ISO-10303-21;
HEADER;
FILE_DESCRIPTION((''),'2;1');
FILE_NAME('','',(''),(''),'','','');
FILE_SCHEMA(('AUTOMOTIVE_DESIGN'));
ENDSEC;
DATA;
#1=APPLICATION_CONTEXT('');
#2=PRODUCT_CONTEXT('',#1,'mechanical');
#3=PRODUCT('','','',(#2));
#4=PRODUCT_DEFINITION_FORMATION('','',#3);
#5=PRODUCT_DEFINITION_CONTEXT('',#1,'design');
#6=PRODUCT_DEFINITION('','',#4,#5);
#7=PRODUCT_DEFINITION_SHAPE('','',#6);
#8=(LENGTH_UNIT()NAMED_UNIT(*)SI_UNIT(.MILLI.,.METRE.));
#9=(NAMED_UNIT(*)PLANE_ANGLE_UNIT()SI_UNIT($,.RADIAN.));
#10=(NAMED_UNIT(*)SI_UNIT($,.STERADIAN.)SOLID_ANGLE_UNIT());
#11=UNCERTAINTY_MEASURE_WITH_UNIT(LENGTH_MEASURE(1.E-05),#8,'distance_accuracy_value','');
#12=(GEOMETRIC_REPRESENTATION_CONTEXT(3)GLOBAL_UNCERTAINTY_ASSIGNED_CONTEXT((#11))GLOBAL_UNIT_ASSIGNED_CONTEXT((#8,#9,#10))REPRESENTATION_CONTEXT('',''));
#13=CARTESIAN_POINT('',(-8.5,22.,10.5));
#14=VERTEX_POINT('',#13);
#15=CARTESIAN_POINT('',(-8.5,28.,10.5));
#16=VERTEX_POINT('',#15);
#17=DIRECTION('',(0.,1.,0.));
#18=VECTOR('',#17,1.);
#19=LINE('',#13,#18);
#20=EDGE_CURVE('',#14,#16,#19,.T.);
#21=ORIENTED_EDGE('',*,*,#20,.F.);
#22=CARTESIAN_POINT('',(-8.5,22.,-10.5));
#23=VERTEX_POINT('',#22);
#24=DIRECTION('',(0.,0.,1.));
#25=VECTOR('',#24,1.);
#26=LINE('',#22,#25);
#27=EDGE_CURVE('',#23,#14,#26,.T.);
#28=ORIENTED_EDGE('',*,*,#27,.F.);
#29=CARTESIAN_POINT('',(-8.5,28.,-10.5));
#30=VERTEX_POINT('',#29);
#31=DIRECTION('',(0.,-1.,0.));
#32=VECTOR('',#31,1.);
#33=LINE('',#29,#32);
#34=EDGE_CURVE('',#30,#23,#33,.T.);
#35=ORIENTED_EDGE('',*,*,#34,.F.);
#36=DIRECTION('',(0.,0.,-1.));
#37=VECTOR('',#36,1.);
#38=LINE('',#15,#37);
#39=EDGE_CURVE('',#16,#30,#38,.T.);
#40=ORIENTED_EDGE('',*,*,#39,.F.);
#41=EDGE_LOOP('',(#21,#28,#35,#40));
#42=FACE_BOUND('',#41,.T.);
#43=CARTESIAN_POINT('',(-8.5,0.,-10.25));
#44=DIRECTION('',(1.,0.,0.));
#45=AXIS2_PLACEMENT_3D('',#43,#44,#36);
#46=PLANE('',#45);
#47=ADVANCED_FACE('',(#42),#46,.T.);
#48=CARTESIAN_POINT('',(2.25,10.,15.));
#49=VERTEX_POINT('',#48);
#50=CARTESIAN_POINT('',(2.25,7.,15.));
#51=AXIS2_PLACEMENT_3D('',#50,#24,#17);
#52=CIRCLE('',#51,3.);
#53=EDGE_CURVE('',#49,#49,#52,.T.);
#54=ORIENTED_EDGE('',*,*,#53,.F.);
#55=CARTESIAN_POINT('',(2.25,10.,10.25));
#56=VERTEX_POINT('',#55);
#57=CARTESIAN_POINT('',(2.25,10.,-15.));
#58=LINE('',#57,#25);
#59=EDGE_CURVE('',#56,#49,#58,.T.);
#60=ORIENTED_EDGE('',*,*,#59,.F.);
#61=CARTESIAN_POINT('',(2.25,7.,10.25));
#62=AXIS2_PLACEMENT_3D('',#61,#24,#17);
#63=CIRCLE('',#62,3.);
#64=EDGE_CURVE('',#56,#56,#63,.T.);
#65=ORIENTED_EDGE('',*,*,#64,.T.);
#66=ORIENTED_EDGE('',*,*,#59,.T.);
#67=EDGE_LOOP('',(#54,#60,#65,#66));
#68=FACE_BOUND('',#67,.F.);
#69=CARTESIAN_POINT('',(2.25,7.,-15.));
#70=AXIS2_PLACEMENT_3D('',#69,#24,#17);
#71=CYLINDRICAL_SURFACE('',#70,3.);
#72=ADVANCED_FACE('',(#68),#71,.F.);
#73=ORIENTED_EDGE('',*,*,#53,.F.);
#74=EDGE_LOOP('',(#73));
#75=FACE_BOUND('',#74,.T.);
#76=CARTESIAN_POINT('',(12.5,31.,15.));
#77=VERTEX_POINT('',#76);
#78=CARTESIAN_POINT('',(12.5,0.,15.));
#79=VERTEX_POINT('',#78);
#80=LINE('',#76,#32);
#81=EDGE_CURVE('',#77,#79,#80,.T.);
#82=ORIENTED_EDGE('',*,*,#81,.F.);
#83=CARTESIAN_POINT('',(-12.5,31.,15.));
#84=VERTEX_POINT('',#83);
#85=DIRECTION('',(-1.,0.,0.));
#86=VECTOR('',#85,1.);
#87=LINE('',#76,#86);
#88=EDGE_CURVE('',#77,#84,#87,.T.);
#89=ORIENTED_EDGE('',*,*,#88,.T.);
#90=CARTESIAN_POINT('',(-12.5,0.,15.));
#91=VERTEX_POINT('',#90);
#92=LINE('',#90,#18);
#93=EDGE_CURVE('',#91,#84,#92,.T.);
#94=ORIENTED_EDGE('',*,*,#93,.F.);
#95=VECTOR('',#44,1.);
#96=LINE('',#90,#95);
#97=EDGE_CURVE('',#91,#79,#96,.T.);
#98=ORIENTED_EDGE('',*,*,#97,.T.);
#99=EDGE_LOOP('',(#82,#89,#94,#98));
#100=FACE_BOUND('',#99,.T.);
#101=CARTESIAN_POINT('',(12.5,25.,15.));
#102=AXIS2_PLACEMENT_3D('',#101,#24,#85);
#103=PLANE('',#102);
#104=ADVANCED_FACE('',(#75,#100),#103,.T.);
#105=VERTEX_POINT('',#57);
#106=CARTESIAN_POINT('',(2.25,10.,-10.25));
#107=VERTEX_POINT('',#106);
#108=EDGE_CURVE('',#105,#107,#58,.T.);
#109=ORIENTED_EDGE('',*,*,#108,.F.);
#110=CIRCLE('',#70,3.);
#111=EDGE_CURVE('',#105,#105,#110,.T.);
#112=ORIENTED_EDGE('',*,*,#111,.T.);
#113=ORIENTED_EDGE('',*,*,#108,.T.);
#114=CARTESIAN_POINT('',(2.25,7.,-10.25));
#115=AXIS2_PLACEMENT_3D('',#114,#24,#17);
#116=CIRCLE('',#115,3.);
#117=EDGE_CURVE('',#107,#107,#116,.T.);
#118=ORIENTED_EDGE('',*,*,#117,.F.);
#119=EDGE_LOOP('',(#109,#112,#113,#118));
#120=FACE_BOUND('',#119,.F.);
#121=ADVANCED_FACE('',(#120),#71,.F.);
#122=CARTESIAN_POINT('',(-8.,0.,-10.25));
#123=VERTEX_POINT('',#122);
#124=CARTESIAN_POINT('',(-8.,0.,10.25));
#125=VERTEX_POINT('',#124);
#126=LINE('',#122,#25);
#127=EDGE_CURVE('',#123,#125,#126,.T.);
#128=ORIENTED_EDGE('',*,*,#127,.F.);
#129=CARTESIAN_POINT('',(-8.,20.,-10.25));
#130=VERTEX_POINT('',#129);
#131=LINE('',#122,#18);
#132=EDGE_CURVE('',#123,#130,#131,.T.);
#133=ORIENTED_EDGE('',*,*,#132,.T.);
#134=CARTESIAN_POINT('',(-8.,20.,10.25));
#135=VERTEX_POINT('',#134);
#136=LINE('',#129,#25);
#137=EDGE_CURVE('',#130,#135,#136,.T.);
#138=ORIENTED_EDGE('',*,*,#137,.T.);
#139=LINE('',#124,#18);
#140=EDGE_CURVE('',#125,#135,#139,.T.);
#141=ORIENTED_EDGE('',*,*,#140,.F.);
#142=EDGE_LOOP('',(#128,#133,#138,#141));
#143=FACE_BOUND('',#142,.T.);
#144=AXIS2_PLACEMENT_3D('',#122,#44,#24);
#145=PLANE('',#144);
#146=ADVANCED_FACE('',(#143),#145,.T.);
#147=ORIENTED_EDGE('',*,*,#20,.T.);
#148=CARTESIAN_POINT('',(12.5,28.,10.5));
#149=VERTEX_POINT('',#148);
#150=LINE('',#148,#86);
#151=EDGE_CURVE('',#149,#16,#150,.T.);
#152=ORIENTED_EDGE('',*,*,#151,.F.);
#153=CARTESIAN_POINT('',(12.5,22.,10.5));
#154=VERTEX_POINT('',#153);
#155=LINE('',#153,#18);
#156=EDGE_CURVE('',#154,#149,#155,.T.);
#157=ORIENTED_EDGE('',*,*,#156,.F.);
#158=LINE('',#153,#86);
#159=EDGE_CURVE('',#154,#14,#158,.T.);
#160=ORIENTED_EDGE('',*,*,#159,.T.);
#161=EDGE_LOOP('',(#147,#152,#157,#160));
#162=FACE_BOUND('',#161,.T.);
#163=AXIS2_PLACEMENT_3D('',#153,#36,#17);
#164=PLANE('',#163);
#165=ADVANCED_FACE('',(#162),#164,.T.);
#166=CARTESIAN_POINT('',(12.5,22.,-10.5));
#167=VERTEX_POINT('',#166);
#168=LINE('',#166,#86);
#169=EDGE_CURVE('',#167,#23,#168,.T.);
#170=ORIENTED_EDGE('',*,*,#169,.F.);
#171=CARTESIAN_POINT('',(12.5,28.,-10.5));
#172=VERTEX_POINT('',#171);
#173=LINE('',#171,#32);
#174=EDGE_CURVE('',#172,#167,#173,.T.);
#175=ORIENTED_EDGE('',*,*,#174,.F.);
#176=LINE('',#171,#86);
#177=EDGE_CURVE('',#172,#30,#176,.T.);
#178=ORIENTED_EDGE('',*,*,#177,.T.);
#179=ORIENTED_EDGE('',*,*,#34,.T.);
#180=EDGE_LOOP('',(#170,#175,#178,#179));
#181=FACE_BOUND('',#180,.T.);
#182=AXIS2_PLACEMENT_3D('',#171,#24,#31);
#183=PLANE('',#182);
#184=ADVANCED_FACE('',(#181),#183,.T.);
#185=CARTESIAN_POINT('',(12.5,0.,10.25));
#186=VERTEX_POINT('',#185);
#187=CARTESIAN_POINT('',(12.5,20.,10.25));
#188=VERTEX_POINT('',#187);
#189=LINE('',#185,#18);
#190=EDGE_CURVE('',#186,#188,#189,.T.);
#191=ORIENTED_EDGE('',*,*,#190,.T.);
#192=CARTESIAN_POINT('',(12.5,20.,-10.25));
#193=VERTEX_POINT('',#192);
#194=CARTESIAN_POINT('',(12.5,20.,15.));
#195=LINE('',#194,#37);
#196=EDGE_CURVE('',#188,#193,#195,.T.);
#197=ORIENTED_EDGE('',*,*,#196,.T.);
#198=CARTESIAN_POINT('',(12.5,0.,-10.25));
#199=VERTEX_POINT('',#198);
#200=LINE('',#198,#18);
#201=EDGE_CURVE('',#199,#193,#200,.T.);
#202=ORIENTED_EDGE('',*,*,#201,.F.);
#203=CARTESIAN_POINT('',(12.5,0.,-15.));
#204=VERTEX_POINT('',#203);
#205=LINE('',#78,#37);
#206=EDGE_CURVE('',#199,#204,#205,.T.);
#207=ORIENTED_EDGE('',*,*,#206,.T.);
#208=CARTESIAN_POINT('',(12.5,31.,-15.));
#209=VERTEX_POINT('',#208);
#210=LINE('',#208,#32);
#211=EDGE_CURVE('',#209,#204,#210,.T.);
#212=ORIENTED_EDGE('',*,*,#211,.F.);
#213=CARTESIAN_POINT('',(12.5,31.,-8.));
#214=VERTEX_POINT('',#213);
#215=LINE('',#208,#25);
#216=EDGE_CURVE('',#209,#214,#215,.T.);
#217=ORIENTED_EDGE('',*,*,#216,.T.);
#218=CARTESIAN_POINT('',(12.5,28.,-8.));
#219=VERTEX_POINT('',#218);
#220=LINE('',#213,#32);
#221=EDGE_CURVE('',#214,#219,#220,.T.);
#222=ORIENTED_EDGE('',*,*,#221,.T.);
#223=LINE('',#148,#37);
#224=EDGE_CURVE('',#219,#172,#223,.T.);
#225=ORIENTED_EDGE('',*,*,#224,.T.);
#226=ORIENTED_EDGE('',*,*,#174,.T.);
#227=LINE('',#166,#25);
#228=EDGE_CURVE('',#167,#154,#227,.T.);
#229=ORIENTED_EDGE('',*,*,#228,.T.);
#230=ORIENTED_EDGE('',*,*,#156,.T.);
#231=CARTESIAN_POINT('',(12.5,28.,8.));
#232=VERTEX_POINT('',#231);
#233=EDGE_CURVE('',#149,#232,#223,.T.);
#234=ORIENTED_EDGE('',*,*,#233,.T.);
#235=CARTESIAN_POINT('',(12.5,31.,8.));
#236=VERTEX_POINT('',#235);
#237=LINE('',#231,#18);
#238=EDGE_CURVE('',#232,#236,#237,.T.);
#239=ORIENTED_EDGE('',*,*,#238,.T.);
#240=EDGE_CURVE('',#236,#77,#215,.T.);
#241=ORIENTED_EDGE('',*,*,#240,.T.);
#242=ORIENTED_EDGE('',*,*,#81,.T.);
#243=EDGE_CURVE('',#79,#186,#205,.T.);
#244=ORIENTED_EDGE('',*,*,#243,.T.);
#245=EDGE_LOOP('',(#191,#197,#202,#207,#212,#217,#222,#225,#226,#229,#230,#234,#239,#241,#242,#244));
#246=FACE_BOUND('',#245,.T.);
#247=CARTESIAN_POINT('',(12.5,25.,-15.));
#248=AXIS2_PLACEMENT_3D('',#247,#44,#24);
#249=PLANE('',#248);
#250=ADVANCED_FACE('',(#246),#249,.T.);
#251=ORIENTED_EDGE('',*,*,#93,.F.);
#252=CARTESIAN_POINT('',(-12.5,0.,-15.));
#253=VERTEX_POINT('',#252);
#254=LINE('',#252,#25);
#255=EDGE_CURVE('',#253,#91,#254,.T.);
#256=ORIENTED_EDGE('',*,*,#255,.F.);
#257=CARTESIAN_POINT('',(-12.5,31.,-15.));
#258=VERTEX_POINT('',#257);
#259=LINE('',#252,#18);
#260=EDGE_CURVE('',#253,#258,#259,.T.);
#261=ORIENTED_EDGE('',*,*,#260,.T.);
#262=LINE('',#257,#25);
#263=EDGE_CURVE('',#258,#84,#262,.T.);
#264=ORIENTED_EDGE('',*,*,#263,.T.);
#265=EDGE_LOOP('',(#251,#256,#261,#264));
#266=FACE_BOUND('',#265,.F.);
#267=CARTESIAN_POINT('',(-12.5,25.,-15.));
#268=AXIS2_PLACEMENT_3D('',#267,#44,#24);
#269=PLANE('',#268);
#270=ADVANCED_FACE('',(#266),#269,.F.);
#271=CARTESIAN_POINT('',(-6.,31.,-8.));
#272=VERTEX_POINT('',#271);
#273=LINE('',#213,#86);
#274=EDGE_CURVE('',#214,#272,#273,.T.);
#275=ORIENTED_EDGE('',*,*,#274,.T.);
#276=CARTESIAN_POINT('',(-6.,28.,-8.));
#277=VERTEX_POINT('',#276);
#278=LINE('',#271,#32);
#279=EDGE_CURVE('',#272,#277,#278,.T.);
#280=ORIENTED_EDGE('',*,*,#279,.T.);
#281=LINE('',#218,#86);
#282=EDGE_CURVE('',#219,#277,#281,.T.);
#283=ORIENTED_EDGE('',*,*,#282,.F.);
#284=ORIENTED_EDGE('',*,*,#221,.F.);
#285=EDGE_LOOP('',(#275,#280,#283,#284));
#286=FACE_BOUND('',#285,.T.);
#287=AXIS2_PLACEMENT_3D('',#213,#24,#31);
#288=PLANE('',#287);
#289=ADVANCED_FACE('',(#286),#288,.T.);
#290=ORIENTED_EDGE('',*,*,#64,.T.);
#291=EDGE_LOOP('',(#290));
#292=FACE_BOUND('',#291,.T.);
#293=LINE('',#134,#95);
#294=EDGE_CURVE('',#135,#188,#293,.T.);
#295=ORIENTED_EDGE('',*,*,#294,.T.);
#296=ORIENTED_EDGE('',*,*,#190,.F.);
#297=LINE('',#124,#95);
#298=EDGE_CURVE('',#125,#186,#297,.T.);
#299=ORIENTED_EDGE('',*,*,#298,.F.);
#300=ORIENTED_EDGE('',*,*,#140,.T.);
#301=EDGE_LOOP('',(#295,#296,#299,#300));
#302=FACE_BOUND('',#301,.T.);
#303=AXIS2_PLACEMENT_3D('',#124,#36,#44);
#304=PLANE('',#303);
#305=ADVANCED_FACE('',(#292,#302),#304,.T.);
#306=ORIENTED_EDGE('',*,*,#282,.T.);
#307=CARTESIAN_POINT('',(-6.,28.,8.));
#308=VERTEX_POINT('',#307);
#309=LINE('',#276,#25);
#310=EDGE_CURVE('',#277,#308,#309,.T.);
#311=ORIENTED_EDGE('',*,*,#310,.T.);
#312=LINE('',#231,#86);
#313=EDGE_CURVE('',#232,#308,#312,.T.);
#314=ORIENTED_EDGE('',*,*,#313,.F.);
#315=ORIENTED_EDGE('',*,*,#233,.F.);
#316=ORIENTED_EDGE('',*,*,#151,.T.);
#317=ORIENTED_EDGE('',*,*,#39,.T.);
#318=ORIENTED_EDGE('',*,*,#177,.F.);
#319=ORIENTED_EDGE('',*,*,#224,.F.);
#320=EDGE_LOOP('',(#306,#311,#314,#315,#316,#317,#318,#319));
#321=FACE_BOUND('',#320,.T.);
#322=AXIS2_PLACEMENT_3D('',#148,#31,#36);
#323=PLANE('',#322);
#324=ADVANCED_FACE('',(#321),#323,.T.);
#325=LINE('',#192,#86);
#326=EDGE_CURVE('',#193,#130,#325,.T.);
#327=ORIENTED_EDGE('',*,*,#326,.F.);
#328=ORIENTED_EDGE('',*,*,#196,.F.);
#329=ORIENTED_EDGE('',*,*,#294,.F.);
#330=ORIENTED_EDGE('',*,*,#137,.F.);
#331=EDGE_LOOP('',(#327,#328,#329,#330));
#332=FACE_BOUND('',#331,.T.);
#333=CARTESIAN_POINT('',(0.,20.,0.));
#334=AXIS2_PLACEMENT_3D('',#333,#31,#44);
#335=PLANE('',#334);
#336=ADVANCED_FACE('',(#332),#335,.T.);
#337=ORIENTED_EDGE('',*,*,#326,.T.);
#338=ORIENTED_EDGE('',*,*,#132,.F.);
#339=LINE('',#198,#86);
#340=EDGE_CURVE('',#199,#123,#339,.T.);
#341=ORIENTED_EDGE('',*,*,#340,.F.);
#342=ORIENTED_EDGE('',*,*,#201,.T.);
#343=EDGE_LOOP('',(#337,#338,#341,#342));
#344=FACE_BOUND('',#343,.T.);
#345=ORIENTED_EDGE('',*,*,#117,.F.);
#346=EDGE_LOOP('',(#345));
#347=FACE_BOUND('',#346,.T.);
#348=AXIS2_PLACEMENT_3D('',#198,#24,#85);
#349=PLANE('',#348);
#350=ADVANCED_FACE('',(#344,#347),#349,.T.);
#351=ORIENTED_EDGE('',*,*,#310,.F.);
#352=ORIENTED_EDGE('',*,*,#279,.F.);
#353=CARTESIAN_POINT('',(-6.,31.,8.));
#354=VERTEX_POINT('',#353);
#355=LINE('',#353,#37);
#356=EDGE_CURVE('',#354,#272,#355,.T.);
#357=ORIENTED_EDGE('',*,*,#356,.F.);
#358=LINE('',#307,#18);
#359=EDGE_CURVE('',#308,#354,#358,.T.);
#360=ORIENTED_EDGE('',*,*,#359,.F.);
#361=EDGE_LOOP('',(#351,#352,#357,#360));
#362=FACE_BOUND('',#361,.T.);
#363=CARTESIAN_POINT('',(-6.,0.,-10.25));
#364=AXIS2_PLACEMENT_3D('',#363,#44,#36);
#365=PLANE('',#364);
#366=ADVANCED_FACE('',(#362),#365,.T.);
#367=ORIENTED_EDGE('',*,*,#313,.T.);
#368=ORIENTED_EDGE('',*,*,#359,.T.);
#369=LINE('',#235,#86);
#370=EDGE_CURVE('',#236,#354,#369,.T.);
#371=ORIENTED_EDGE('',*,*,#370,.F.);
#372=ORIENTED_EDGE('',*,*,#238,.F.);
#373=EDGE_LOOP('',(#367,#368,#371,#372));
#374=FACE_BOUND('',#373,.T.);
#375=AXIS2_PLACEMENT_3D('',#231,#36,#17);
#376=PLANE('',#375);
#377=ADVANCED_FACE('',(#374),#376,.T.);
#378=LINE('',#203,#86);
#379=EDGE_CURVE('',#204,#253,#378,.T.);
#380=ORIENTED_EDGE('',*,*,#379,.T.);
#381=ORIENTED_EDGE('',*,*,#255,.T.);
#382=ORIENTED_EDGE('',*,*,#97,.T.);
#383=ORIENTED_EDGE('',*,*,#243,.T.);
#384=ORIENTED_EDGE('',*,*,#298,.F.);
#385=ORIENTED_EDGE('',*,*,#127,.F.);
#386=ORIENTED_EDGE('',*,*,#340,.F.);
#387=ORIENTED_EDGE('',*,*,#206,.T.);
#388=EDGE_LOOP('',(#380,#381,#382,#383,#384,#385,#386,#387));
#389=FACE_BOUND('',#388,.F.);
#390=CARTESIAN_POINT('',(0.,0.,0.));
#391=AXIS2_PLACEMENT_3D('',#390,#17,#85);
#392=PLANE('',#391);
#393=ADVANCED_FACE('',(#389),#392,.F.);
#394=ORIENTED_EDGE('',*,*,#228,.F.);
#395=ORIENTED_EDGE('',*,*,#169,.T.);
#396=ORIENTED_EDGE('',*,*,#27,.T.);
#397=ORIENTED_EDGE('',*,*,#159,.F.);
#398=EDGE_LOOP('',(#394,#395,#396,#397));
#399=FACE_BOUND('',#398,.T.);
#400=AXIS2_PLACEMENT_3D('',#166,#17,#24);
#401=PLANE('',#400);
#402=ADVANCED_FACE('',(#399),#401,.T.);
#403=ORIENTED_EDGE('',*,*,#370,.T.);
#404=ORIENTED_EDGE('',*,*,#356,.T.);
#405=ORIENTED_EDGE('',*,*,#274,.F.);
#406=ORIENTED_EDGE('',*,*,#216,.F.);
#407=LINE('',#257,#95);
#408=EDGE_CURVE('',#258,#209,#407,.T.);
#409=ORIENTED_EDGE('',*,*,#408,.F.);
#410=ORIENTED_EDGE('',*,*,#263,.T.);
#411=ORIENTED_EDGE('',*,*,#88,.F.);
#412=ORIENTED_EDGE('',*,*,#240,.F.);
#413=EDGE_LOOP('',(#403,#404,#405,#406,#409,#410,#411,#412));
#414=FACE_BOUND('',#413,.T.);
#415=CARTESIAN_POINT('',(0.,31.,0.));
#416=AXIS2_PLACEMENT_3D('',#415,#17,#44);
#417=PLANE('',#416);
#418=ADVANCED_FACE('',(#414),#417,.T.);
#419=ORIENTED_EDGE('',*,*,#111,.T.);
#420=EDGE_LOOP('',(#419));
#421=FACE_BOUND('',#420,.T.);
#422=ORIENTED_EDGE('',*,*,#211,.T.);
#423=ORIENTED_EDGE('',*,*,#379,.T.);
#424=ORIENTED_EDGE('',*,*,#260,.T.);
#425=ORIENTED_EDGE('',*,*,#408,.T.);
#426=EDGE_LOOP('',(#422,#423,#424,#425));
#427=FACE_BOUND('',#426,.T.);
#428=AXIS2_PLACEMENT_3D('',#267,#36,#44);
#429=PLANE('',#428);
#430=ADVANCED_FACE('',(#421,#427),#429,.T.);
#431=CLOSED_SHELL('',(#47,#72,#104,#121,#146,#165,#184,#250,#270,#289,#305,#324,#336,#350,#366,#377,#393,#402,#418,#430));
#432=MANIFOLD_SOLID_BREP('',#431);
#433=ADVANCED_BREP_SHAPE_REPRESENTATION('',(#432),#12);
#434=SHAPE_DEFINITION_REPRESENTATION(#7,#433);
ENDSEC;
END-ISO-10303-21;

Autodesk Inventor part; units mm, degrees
ref_plane "YZ Plane" through (0, 0, 0) normal (1, 0, 0) x (0, 1, 0)
ref_plane "XZ Plane" through (0, 0, 0) normal (0, 1, 0) x (-1, 0, 0)
ref_plane "XY Plane" through (0, 0, 0) normal (0, 0, 1) x (1, 0, 0)
sketch "スケッチ1" plane through (0, 0, 0) normal (0, 1, 0) x (-1, 0, 0)
  line L0 (-12.5, -15) -> (12.5, -15)
  line L1 (12.5, -15) -> (12.5, 15)
  line L2 (12.5, 15) -> (-12.5, 15)
  line L3 (-12.5, 15) -> (-12.5, -15)
  line L4 (-12.5, -15) -> (12.5, 15) construction
  line L5 (12.5, -15) -> (-12.5, 15) construction
  point P0 (0, 0)
  dimension "d0" = 25
  dimension "d1" = 30
extrude "押し出し1" add sketch "スケッチ1" along normal blind 25
sketch "スケッチ2" plane through (0, 0, 0) normal (0, -1, 0) x (1, 0, 0)
  line L0 (12.5, 15) -> (12.5, -15) projected
  line L1 (12.5, -10.25) -> (-8, -10.25)
  line L2 (-8, -10.25) -> (-8, 10.25)
  line L3 (-8, 10.25) -> (12.5, 10.25)
  line L4 (12.5, 10.25) -> (12.5, -10.25)
  line L5 (12.5, -15) -> (-12.5, -15) projected
  point P0 (0, 0)
  point P1 (12.5, 10.25)
  dimension "d4" = 20.5
  dimension "d5" = 20.5
  dimension "d22" = 10.25
extrude "押し出し2" cut sketch "スケッチ2" against normal blind 20
sketch "スケッチ4" plane through (12.5, 0, -15) normal (0, 0, -1) x (-1, 0, 0)
  line L0 (0, 0) -> (25, 0) projected
  line L1 (0, 0) -> (0, 25) projected
  point P0 (12.5, 0)
  point P1 (10.25, 7)
  dimension "d12" = 7
  dimension "d13" = 10.25
hole "穴1" at (2.25, 7, -15) direction (0, 0, 1) diameter 6 end through all
sketch "スケッチ6" plane through (0, 25, 0) normal (0, 1, 0) x (1, 0, 0)
  line L0 (-12.5, 15) -> (-12.5, -15) projected
  line L1 (12.5, -15) -> (12.5, -10.25) projected
  line L2 (-12.5, 15) -> (12.5, 15)
  line L3 (12.5, 15) -> (12.5, -15)
  line L4 (12.5, -15) -> (-12.5, -15)
  line L5 (-12.5, -15) -> (-12.5, 15)
  point P0 (0, 0)
extrude "押し出し5" add sketch "スケッチ6" along normal blind 6
sketch "スケッチ8" plane through (12.5, 0, -10.25) normal (1, 0, 0) x (0, 0, -1)
  line L0 (-20.75, 28) -> (0.25, 28)
  line L1 (0.25, 28) -> (0.25, 22)
  line L2 (0.25, 22) -> (-20.75, 22)
  line L3 (-20.75, 22) -> (-20.75, 28)
  line L4 (-20.5, 20) -> (0, 20) projected
  point P0 (-10.25, 0)
  dimension "d37" = 21
  dimension "d38" = 6
  dimension "d39" = 10.5
  dimension "d40" = 2
extrude "押し出し7" cut sketch "スケッチ8" against normal blind 21
sketch "スケッチ9" plane through (12.5, 0, -10.25) normal (1, 0, 0) x (0, 0, -1)
  line L0 (-18.25, 31) -> (-2.25, 31)
  line L1 (-2.25, 31) -> (-2.25, 28)
  line L2 (-2.25, 28) -> (-18.25, 28)
  line L3 (-18.25, 28) -> (-18.25, 31)
  line L4 (-25.25, 31) -> (4.75, 31) projected
  point P0 (-10.25, 0)
  dimension "d43" = 16
  dimension "d44" = 3
  dimension "d45" = 0
  dimension "d46" = 8
extrude "押し出し8" cut sketch "スケッチ9" against normal blind 18.5
properties part number "baseA"
